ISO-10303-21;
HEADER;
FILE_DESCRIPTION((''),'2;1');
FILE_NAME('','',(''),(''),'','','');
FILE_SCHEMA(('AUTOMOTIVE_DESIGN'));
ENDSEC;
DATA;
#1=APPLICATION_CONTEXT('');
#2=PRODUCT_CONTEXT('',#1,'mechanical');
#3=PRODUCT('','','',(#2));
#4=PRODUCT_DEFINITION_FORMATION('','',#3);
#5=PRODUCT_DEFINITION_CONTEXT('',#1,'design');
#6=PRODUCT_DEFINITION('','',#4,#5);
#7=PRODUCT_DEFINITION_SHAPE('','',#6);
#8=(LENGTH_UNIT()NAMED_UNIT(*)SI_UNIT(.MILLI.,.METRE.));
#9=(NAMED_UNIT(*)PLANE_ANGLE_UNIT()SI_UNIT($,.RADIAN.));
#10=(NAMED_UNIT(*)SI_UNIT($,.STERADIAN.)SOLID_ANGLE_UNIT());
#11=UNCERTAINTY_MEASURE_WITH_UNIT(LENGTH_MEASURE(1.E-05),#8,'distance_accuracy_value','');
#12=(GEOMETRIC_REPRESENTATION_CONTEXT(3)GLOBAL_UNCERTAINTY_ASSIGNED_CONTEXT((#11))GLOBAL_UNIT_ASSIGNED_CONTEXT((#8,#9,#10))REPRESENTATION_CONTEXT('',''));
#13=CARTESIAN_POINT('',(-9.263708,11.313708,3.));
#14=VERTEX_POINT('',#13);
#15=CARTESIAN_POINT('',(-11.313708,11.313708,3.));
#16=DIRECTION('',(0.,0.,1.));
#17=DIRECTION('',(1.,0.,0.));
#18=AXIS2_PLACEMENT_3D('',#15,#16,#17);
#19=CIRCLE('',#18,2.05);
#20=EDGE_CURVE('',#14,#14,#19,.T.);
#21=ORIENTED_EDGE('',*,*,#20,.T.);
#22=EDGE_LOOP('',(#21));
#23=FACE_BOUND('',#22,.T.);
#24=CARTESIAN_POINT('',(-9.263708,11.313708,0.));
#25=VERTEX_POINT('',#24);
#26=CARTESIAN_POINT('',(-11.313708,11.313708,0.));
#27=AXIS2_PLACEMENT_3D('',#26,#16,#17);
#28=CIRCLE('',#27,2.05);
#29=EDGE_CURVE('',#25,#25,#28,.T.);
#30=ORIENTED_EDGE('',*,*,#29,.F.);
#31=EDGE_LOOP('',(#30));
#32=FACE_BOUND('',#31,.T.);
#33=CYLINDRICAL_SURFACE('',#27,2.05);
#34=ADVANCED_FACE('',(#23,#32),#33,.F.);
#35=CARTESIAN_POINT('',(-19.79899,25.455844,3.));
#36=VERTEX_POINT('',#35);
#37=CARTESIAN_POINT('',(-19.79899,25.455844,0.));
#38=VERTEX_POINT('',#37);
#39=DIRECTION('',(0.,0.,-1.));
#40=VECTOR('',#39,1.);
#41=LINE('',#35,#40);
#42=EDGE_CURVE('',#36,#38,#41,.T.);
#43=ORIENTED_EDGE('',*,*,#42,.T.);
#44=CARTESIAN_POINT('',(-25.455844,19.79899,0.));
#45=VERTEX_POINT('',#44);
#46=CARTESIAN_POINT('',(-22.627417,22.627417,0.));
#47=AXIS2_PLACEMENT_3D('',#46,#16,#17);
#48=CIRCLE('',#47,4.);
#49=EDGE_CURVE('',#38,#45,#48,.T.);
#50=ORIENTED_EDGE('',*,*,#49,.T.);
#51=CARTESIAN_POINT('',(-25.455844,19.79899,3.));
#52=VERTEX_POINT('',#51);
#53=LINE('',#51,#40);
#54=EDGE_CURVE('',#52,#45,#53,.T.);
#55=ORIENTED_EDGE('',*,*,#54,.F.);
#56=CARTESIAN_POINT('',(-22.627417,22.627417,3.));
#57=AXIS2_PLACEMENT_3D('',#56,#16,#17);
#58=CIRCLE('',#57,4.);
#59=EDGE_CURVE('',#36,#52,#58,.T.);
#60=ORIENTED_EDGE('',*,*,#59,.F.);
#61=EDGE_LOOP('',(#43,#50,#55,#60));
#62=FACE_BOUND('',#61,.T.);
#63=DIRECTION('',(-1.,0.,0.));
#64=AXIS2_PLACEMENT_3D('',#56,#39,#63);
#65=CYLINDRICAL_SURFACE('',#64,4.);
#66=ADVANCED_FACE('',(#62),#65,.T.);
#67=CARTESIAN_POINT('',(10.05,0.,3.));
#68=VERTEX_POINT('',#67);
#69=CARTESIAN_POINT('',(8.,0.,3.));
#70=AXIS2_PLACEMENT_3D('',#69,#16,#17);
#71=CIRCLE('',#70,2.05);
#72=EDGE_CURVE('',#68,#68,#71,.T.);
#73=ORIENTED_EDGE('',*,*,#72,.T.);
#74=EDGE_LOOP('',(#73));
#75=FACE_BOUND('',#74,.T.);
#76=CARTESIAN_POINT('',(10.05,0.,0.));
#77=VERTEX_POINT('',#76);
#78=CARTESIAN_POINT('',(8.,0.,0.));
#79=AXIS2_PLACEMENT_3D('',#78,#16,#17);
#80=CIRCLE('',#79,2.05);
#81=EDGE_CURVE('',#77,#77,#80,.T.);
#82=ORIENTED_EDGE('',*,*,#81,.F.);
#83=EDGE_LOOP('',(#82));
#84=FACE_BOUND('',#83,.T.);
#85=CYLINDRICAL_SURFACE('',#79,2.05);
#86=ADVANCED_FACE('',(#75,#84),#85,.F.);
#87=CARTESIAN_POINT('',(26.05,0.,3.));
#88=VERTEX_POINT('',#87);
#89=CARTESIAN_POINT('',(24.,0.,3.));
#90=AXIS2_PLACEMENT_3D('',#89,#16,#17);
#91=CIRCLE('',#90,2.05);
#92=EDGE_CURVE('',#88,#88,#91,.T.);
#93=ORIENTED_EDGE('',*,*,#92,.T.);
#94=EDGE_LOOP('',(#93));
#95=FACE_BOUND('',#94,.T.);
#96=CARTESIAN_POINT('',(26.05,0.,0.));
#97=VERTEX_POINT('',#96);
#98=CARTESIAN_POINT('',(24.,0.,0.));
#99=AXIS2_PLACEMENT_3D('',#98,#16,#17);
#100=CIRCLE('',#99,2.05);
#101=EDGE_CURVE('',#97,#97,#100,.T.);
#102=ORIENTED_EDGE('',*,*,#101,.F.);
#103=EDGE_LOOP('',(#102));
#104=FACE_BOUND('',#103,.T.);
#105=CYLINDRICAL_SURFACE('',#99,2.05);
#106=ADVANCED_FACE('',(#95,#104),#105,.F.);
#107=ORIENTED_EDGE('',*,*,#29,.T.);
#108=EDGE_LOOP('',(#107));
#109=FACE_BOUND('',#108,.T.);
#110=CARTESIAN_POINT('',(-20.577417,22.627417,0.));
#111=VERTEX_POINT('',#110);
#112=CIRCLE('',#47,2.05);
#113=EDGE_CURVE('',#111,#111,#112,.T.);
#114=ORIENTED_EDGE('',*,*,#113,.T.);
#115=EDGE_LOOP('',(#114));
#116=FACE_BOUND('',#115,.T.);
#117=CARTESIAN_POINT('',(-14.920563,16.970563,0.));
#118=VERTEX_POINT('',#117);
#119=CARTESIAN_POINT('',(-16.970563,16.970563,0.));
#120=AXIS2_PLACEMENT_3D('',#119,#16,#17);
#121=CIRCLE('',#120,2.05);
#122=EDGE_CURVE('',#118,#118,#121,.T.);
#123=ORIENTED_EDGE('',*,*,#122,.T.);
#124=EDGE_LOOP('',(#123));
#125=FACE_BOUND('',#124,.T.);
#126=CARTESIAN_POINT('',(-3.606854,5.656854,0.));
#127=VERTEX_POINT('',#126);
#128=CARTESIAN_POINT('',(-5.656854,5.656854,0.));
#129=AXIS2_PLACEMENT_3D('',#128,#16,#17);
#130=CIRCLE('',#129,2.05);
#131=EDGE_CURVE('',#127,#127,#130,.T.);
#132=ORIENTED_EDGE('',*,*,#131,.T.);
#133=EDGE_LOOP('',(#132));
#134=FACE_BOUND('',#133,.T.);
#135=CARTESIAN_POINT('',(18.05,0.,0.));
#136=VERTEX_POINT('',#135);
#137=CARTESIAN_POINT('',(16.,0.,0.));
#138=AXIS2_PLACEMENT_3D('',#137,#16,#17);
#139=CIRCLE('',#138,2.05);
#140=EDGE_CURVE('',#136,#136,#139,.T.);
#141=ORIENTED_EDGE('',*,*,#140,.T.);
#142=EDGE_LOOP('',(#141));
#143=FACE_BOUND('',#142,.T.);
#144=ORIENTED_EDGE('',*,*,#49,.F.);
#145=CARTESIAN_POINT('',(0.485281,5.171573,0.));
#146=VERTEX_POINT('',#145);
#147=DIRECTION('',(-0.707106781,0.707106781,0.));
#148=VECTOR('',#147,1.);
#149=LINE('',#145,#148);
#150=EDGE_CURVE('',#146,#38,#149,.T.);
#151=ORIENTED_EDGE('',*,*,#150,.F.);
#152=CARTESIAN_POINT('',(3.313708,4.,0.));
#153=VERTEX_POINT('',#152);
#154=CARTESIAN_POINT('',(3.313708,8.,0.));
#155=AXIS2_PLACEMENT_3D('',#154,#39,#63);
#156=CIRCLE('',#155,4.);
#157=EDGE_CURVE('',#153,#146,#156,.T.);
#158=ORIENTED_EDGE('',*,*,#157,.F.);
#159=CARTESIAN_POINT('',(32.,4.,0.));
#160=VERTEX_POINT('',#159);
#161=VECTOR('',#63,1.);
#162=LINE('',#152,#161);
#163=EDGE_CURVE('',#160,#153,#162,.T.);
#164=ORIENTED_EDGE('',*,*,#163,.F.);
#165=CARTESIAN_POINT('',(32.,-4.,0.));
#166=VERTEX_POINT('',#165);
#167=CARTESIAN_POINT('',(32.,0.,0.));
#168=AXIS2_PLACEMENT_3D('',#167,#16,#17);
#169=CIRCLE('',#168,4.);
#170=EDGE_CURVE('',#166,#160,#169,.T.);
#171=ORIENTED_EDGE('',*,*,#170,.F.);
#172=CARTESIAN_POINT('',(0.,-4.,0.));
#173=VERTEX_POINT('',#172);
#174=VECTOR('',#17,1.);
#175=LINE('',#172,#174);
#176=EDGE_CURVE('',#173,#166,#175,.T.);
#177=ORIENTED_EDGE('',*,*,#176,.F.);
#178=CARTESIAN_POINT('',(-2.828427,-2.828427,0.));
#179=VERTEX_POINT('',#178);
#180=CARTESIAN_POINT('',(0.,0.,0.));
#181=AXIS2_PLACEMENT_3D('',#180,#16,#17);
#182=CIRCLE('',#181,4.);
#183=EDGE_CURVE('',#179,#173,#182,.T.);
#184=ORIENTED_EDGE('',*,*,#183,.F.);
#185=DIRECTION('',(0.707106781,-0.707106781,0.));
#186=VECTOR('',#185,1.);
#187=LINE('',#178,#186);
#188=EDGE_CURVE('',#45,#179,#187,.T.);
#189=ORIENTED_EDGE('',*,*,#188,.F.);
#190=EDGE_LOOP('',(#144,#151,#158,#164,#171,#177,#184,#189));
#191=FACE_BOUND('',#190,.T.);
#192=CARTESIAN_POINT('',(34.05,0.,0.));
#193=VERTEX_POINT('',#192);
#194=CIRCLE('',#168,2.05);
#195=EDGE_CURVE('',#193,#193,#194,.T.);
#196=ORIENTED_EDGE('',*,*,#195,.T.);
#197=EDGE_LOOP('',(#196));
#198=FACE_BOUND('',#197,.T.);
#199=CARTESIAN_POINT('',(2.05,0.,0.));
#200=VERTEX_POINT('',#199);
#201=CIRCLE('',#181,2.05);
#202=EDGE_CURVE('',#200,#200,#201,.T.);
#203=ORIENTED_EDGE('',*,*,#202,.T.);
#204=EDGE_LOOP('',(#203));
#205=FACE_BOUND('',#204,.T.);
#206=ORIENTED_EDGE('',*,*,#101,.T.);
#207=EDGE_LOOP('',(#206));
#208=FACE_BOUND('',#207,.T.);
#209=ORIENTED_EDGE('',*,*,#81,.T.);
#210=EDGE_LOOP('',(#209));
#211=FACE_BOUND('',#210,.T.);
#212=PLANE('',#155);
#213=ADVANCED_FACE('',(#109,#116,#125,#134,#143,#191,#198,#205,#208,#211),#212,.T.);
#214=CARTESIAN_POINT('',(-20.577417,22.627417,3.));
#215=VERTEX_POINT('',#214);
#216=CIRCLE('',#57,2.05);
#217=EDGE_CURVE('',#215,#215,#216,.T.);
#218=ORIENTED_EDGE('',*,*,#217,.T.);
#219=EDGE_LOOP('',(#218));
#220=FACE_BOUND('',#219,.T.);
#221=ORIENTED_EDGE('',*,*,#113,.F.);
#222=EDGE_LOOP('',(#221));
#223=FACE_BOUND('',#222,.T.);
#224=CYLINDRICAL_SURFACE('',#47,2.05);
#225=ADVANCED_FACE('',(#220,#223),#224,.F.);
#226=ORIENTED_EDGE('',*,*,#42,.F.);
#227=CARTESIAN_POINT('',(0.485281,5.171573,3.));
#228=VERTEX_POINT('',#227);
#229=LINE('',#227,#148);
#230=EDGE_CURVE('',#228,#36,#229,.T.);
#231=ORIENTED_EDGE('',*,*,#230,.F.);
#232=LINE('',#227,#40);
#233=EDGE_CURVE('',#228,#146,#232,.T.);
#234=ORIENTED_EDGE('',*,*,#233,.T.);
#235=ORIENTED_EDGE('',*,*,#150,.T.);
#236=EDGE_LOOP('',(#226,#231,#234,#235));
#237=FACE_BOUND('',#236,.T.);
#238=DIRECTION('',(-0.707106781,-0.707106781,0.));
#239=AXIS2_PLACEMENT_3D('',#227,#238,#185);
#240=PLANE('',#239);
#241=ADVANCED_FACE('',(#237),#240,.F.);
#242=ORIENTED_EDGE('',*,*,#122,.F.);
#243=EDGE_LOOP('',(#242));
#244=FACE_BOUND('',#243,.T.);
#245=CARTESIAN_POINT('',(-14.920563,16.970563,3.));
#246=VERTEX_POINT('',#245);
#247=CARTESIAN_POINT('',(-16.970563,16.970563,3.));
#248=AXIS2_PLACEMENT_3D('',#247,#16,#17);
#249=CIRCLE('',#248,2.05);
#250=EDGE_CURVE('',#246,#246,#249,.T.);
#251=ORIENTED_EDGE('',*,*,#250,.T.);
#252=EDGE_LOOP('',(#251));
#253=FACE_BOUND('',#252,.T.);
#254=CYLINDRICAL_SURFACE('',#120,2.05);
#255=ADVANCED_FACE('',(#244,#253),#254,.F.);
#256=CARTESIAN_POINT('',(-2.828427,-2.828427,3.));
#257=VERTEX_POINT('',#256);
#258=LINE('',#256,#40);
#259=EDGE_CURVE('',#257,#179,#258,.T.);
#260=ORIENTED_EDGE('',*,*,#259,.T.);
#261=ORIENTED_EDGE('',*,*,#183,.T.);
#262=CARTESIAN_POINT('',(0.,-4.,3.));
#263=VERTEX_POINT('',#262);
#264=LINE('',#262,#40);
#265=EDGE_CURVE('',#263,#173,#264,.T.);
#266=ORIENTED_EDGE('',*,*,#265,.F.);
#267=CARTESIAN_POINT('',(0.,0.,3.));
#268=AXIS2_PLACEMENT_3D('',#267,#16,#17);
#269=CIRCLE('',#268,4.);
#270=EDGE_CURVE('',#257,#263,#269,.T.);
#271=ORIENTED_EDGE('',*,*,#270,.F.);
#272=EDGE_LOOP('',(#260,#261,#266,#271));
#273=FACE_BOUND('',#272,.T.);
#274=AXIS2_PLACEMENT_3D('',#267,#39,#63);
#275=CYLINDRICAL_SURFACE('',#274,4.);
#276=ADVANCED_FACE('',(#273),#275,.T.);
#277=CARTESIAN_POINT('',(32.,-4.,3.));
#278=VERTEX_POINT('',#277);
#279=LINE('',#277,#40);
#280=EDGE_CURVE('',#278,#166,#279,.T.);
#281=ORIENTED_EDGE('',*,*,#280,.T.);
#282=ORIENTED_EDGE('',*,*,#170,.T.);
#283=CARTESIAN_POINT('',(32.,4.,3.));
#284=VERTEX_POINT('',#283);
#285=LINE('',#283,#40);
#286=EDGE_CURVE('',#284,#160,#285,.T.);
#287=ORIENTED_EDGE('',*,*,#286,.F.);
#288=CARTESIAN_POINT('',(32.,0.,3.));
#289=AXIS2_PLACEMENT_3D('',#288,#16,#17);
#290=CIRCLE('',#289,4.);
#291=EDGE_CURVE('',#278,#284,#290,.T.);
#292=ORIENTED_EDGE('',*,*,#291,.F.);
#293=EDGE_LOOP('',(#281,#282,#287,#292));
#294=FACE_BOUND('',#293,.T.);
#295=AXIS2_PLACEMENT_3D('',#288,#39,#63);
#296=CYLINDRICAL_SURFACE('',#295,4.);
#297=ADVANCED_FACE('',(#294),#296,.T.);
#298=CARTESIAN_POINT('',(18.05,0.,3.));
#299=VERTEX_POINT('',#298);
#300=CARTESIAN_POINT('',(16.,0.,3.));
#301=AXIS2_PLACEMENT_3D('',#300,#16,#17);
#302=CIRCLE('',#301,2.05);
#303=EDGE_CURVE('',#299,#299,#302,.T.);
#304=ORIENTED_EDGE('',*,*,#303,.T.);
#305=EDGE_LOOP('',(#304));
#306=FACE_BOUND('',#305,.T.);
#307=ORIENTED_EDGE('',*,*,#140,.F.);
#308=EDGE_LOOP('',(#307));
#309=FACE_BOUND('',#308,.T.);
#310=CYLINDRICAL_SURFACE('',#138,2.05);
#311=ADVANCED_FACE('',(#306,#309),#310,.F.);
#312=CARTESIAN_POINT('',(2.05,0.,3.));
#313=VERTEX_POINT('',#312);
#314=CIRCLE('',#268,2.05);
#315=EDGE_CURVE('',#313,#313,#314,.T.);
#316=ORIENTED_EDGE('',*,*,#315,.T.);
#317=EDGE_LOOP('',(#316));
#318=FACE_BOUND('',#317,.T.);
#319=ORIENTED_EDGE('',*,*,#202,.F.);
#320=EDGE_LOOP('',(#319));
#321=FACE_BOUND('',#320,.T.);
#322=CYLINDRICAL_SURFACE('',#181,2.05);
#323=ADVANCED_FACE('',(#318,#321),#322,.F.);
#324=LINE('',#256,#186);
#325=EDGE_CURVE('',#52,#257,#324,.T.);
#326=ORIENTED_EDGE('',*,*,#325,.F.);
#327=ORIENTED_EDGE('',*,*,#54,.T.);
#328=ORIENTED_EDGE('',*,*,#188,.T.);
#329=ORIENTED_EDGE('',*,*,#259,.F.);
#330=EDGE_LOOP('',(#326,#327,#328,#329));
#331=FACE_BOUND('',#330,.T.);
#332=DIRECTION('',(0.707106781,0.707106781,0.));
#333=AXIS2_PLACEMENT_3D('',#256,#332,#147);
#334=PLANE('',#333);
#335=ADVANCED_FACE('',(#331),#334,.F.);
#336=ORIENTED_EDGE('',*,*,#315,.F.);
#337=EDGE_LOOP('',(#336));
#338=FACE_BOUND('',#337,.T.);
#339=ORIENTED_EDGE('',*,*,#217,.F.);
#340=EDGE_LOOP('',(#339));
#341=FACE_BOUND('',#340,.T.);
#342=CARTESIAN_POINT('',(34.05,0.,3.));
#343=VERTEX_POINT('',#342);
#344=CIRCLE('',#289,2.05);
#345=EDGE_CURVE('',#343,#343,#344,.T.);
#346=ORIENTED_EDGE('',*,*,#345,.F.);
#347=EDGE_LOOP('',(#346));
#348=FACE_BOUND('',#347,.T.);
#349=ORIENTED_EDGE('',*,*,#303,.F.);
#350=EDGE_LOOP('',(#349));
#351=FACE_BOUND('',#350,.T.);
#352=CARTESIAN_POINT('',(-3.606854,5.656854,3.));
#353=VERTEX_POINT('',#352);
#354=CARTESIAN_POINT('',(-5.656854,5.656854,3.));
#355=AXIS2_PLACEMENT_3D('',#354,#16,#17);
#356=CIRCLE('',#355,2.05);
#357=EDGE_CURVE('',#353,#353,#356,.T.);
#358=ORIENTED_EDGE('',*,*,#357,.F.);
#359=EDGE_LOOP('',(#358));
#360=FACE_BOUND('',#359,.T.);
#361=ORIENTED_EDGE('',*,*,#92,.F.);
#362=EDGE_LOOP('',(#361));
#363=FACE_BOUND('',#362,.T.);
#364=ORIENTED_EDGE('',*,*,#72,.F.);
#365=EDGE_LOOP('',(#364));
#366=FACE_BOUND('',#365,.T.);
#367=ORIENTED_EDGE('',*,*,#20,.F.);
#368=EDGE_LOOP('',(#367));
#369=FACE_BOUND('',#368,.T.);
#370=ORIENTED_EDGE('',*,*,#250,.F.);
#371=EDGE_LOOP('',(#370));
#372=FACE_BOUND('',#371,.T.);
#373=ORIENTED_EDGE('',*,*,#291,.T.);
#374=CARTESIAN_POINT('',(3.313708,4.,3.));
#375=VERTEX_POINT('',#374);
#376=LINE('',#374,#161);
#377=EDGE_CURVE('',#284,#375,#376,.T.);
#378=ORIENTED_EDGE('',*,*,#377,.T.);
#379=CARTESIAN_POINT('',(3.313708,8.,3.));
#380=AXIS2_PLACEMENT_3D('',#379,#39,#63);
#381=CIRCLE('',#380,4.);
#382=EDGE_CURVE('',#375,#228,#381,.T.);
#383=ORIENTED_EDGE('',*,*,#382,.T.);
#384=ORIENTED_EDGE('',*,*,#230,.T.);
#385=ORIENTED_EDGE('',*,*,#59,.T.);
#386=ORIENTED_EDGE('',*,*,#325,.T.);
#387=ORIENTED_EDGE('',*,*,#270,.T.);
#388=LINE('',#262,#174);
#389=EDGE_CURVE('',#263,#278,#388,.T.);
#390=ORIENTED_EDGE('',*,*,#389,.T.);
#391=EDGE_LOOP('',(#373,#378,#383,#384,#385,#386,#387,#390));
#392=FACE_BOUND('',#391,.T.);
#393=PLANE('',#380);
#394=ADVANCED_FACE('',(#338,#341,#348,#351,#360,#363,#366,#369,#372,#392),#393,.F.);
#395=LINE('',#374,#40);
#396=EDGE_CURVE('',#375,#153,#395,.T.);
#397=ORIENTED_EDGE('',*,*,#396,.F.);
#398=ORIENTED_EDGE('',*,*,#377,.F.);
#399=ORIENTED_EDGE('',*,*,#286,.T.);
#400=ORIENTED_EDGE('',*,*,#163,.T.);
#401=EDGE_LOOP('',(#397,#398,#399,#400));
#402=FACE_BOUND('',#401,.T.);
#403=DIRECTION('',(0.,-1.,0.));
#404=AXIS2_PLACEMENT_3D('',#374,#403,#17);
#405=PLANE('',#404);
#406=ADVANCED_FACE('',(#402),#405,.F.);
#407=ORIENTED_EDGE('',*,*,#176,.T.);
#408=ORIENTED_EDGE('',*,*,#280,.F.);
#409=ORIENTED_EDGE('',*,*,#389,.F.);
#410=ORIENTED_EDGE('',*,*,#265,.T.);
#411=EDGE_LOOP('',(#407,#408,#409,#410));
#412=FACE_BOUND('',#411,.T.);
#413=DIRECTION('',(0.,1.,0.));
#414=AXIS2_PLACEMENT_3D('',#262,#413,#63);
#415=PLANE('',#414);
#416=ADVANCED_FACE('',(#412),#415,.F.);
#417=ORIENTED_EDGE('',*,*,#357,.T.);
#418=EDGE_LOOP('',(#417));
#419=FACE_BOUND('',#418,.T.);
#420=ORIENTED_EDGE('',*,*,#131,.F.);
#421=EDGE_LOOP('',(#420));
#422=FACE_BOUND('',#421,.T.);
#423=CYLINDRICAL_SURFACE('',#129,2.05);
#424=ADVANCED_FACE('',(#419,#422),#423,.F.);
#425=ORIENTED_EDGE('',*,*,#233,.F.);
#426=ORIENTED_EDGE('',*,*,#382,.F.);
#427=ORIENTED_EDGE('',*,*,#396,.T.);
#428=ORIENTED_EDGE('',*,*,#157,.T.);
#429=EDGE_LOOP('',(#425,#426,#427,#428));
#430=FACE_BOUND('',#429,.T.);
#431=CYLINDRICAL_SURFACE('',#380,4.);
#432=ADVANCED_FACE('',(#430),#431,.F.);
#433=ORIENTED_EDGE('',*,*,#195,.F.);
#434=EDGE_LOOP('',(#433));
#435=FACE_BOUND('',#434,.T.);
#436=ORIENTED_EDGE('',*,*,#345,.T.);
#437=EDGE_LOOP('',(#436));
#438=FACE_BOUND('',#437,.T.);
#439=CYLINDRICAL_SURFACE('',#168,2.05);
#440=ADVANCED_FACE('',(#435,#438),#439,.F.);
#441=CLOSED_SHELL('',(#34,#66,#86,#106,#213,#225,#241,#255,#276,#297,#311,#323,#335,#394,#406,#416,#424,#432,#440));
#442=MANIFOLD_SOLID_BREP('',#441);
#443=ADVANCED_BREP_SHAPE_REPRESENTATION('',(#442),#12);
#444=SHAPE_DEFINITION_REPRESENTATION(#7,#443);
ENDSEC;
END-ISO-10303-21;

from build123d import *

# Parameters (mm, degrees)
BOSS_EXTRUDE1_DEPTH = 3
SKETCH2_R           = 2.05
CUT_EXTRUDE1_DEPTH  = 45.877826774
LPATTERN1_COUNT     = 5
LPATTERN1_PITCH     = 8
SKETCH3_R           = 2.05
CUT_EXTRUDE2_DEPTH  = 45.877826774
LPATTERN2_COUNT     = 5
LPATTERN2_PITCH     = 8


with BuildPart() as part:
    # Sketch1 → Boss-Extrude1 (new body)
    with BuildSketch(Plane.XY):
        with BuildLine():
            Line((3.313708499, 4), (32, 4))
            ThreePointArc((32, 4), (36, 0), (32, -4))
            Line((32, -4), (0, -4))
            ThreePointArc((0, -4), (-1.530733729, -3.69551813), (-2.828427125, -2.828427125))
            Line((-2.828427125, -2.828427125), (-25.455844123, 19.798989873))
            ThreePointArc((-25.455844123, 19.798989873), (-25.455844123, 25.455844123), (-19.798989873, 25.455844123))
            Line((-19.798989873, 25.455844123), (0.485281374, 5.171572875))
            ThreePointArc((0.485281374, 5.171572875), (1.78297477, 4.30448187), (3.313708499, 4))
        make_face()
    extrude(amount=BOSS_EXTRUDE1_DEPTH)

    # Sketch2 → Cut-Extrude1 (cut, through all)
    with BuildSketch(Plane.XY.offset(3)):
        with Locations((-22.627416998, 22.627416998)):
            Circle(SKETCH2_R)
    cut_extrude1 = extrude(amount=-CUT_EXTRUDE1_DEPTH, mode=Mode.SUBTRACT)

    # LPattern1: Cut-Extrude1 ×5
    with Locations(*[Vector(0.7071067811865515, -0.7071067811865437, 0) * (i * LPATTERN1_PITCH) for i in range(1, LPATTERN1_COUNT)]):
        add(cut_extrude1, mode=Mode.SUBTRACT)

    # Sketch3 → Cut-Extrude2 (cut, through all)
    with BuildSketch(Plane.XY.offset(3)):
        with Locations((32, 0)):
            Circle(SKETCH3_R)
    cut_extrude2 = extrude(amount=-CUT_EXTRUDE2_DEPTH, mode=Mode.SUBTRACT)

    # LPattern2: Cut-Extrude2 ×5
    with Locations(*[(-i * LPATTERN2_PITCH, 0, 0) for i in range(1, LPATTERN2_COUNT)]):
        add(cut_extrude2, mode=Mode.SUBTRACT)


solid = part.part
